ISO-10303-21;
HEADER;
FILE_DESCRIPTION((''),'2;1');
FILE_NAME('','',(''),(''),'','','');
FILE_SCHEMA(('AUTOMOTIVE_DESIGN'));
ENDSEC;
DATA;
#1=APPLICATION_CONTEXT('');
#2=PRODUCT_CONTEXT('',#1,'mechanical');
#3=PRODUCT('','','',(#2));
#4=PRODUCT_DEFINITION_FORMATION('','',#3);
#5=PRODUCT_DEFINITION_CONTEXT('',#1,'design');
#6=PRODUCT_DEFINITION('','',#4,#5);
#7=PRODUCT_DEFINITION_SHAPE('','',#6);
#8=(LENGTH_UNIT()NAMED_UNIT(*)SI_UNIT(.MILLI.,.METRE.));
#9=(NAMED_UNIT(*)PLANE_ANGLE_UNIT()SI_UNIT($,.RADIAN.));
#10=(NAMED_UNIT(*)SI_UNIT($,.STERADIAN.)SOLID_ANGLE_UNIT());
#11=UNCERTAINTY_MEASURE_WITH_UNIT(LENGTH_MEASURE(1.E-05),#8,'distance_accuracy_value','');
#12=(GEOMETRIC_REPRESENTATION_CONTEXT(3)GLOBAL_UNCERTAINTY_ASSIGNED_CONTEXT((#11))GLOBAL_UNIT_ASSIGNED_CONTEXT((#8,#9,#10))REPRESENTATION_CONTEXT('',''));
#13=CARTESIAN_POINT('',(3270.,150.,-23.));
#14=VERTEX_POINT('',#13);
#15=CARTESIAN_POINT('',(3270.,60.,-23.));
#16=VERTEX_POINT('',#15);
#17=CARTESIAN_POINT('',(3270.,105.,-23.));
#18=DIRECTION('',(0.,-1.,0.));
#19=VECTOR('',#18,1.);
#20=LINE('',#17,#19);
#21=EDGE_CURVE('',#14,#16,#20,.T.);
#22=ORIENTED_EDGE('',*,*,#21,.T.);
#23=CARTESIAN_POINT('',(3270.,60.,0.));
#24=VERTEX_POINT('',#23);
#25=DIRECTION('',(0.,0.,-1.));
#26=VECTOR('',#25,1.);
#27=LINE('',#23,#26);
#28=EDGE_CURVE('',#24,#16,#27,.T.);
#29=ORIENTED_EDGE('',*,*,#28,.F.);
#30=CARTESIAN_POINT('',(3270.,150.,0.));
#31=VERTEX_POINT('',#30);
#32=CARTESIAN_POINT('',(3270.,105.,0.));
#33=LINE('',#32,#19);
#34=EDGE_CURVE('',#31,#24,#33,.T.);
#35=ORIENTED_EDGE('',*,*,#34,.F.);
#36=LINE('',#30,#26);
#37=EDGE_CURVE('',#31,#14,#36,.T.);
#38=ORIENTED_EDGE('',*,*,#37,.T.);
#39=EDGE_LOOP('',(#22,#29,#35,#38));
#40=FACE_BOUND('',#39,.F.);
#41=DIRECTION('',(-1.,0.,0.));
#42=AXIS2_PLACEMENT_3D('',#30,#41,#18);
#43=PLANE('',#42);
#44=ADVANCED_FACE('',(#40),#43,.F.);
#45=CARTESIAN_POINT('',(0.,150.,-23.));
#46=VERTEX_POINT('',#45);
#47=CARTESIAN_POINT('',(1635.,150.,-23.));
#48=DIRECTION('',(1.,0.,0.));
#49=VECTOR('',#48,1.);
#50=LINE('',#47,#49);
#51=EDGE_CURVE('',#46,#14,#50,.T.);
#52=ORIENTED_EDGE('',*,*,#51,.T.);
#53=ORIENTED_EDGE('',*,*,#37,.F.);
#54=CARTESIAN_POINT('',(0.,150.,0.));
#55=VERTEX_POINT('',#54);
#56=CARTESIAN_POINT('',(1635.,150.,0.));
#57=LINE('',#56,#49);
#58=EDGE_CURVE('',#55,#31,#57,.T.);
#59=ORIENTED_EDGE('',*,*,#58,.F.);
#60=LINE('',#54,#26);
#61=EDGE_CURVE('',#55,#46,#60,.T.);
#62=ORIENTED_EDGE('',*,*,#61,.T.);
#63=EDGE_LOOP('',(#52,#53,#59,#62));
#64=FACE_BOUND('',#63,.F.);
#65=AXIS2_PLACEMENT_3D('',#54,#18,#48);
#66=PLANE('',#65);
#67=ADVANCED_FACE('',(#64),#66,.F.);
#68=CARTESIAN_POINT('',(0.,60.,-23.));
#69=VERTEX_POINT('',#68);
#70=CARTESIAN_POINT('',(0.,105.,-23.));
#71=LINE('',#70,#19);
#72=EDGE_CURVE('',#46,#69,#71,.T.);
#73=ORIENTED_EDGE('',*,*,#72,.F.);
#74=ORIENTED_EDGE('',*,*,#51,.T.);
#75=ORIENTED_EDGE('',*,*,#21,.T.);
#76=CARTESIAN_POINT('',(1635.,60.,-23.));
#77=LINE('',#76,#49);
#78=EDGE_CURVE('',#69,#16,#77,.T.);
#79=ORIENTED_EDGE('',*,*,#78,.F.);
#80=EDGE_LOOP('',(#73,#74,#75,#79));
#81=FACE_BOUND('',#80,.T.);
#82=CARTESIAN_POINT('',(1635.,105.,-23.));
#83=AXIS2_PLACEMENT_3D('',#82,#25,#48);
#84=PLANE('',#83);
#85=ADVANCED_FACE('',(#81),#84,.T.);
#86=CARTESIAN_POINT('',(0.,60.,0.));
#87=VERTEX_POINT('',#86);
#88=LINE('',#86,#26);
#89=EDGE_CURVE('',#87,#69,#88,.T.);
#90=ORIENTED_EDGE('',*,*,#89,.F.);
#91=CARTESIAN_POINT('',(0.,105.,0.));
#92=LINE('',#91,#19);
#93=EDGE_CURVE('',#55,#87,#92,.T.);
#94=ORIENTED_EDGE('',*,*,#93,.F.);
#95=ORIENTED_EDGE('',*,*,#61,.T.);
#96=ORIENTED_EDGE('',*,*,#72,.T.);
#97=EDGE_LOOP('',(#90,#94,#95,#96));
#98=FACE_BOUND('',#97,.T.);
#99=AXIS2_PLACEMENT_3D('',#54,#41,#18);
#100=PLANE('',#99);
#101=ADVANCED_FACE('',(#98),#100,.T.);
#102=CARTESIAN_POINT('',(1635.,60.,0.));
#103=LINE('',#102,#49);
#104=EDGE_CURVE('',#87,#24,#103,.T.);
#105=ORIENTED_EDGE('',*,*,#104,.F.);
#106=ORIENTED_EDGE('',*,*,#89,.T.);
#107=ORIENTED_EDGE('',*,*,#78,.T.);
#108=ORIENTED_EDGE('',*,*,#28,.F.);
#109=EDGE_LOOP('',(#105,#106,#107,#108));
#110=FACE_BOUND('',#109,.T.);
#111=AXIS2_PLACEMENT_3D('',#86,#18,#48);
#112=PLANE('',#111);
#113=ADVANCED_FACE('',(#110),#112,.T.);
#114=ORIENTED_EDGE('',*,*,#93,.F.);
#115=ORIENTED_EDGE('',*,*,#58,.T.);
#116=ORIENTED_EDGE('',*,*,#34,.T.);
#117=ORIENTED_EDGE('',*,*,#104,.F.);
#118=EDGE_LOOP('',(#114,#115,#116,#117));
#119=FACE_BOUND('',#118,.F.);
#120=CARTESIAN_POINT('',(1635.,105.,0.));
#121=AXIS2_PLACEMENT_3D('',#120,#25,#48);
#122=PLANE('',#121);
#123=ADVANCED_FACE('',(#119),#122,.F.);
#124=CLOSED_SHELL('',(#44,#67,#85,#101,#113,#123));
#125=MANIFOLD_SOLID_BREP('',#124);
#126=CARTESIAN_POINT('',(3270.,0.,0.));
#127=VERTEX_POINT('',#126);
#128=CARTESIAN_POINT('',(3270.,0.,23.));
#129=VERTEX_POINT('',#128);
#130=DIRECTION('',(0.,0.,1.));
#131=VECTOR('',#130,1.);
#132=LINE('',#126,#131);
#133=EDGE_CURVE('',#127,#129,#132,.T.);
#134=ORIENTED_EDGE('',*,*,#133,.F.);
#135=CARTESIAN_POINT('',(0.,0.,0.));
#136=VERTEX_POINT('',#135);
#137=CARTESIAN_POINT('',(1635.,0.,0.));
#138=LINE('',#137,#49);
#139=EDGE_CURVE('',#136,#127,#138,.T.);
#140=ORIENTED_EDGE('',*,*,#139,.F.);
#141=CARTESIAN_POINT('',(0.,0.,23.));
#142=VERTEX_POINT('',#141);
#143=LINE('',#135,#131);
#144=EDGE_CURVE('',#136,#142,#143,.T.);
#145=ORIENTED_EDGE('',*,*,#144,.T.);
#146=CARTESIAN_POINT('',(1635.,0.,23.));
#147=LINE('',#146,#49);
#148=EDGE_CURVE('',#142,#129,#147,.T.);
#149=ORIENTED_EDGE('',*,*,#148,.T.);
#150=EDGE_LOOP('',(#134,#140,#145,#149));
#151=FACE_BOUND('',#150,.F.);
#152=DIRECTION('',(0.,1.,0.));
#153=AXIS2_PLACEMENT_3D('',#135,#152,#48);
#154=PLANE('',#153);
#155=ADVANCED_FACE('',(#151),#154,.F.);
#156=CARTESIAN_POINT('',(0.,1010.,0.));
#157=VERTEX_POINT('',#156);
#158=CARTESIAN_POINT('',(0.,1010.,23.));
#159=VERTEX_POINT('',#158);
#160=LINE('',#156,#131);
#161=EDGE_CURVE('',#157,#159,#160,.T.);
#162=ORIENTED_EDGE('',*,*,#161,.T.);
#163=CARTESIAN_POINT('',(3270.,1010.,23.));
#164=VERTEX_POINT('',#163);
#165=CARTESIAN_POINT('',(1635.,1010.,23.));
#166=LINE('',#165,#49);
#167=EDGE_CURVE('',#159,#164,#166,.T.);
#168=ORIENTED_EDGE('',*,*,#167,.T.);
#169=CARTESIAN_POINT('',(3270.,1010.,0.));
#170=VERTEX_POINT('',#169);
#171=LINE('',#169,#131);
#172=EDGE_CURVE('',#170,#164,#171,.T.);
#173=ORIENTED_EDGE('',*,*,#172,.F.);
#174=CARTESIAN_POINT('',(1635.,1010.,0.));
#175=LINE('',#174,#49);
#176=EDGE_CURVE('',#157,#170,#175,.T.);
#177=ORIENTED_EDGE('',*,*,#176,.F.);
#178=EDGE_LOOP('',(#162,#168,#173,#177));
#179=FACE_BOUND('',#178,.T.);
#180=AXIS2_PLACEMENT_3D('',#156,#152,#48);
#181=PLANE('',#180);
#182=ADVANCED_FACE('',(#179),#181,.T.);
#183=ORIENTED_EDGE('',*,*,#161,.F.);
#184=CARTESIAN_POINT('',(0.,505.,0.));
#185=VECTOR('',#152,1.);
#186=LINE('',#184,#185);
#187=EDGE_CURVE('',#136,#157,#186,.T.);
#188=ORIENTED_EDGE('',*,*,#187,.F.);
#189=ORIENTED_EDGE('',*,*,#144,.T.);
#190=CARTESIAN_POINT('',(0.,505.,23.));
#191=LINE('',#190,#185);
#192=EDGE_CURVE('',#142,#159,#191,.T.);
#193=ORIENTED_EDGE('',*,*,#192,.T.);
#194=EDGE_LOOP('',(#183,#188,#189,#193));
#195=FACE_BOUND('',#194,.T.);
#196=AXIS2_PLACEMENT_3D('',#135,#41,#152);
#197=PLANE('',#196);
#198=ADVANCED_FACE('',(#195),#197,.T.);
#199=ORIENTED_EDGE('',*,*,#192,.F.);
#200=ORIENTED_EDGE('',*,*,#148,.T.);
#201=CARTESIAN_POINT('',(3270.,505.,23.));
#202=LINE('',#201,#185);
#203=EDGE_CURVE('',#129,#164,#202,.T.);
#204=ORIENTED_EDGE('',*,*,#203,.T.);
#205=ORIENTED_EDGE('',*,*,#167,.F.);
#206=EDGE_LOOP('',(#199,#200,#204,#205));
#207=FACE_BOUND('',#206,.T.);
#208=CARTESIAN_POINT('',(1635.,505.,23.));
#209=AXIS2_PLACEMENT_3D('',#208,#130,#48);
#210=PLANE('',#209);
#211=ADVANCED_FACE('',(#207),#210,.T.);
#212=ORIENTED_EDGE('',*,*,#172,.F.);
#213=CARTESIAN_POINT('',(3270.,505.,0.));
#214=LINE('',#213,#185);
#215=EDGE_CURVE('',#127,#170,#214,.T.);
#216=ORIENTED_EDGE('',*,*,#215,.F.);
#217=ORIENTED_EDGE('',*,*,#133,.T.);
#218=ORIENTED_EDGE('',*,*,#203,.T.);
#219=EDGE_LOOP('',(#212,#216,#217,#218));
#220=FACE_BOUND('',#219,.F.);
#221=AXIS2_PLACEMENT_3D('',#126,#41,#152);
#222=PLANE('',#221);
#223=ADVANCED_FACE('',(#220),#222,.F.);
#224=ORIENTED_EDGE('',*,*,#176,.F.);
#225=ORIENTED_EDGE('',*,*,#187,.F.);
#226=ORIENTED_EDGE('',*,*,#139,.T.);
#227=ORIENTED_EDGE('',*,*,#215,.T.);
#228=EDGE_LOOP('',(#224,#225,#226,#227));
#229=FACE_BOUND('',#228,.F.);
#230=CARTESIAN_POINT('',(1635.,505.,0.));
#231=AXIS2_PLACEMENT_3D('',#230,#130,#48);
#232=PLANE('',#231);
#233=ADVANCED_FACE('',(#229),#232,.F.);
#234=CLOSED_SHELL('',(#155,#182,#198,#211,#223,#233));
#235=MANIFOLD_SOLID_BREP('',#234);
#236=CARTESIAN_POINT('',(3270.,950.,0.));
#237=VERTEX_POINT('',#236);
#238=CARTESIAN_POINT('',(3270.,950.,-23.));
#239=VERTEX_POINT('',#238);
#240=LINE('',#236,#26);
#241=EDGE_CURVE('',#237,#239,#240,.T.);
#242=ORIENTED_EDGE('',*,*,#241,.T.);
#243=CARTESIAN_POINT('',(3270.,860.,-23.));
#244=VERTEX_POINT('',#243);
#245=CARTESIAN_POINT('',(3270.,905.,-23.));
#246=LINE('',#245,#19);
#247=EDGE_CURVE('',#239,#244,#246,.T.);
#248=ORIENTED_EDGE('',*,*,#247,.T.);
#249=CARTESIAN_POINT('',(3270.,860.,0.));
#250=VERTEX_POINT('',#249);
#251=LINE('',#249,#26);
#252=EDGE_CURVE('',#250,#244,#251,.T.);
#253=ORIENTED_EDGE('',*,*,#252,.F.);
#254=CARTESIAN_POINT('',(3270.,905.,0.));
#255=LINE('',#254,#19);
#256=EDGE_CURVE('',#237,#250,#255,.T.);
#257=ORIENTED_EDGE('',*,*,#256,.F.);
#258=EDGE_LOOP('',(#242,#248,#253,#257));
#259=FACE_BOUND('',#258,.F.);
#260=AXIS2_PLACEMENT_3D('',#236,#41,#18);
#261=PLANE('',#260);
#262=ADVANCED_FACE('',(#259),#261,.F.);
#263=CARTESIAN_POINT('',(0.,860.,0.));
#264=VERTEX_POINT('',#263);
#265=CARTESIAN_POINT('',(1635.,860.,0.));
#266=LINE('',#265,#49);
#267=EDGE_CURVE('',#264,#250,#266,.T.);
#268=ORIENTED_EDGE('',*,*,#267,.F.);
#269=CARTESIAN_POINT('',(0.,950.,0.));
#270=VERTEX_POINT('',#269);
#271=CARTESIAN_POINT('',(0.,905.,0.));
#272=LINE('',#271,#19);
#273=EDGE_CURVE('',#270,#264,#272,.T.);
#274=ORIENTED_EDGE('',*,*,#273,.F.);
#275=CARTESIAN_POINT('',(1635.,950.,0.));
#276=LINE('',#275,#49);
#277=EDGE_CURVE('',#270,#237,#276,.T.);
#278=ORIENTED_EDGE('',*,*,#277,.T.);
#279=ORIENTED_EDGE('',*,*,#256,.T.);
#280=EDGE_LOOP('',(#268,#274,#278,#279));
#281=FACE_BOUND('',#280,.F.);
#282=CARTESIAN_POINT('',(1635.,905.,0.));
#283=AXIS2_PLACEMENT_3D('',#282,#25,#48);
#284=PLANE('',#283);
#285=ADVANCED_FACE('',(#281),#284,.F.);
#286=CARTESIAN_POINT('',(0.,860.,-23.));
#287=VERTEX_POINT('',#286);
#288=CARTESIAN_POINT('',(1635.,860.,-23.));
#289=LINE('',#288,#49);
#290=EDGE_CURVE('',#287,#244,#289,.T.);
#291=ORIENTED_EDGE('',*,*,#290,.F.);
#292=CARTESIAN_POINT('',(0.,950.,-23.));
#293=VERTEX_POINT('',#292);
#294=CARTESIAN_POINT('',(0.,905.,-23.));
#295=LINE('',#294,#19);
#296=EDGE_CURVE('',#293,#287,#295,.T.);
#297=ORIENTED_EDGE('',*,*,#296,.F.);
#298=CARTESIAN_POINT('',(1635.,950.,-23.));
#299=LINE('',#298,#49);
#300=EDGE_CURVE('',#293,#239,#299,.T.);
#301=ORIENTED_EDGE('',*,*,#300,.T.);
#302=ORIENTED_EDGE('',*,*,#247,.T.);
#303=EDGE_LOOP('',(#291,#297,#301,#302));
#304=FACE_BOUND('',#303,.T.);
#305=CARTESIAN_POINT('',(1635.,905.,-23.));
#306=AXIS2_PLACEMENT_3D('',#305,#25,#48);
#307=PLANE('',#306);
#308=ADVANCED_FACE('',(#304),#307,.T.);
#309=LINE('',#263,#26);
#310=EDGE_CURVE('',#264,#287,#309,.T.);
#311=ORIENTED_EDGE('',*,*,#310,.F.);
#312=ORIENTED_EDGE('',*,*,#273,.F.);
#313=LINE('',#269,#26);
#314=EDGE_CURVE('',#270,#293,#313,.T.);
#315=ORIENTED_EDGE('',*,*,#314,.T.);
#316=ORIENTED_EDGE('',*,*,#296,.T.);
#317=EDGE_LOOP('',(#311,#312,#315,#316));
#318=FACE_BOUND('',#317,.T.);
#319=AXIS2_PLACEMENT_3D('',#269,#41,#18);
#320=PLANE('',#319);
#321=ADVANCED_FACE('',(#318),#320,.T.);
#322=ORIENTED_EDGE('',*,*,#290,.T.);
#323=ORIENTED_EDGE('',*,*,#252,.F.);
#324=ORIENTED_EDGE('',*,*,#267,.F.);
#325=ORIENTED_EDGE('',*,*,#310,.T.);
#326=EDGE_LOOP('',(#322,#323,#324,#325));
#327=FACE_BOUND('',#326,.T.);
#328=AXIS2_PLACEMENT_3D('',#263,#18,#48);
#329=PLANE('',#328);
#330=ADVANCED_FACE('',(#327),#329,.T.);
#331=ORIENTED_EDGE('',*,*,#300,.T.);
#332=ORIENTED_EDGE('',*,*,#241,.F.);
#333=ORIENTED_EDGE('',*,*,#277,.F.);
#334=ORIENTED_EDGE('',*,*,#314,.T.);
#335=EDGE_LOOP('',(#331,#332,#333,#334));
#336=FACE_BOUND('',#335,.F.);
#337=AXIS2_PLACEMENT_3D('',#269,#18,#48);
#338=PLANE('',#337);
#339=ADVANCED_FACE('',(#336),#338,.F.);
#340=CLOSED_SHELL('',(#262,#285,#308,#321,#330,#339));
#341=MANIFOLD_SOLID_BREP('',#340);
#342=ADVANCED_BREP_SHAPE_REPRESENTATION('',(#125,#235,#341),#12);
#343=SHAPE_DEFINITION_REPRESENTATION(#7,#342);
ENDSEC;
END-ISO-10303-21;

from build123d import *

# Parameters (mm, degrees)
F0_W     = 3270
F0_H     = 1010
F1_DEPTH = 23
F2_W     = 3270
F2_H     = 90
F3_DEPTH = 23


with BuildPart() as f1:
    # F0 (on Top) → F1 (new body)
    with BuildSketch(Plane.XY):
        with Locations((1635, 505)):
            Rectangle(F0_W, F0_H)
    extrude(amount=F1_DEPTH)


with BuildPart() as f3:
    # F2 (on face) → F3 (new body)
    with BuildSketch(Plane(origin=(0, 0, 0), x_dir=(1, 0, 0), z_dir=(0, 0, -1))):
        with Locations((1635, -105)):
            Rectangle(F2_W, F2_H)
        with Locations((1635, -905)):
            Rectangle(F2_W, F2_H)
    extrude(amount=F3_DEPTH)


solid = Compound([f1.part, f3.part])
